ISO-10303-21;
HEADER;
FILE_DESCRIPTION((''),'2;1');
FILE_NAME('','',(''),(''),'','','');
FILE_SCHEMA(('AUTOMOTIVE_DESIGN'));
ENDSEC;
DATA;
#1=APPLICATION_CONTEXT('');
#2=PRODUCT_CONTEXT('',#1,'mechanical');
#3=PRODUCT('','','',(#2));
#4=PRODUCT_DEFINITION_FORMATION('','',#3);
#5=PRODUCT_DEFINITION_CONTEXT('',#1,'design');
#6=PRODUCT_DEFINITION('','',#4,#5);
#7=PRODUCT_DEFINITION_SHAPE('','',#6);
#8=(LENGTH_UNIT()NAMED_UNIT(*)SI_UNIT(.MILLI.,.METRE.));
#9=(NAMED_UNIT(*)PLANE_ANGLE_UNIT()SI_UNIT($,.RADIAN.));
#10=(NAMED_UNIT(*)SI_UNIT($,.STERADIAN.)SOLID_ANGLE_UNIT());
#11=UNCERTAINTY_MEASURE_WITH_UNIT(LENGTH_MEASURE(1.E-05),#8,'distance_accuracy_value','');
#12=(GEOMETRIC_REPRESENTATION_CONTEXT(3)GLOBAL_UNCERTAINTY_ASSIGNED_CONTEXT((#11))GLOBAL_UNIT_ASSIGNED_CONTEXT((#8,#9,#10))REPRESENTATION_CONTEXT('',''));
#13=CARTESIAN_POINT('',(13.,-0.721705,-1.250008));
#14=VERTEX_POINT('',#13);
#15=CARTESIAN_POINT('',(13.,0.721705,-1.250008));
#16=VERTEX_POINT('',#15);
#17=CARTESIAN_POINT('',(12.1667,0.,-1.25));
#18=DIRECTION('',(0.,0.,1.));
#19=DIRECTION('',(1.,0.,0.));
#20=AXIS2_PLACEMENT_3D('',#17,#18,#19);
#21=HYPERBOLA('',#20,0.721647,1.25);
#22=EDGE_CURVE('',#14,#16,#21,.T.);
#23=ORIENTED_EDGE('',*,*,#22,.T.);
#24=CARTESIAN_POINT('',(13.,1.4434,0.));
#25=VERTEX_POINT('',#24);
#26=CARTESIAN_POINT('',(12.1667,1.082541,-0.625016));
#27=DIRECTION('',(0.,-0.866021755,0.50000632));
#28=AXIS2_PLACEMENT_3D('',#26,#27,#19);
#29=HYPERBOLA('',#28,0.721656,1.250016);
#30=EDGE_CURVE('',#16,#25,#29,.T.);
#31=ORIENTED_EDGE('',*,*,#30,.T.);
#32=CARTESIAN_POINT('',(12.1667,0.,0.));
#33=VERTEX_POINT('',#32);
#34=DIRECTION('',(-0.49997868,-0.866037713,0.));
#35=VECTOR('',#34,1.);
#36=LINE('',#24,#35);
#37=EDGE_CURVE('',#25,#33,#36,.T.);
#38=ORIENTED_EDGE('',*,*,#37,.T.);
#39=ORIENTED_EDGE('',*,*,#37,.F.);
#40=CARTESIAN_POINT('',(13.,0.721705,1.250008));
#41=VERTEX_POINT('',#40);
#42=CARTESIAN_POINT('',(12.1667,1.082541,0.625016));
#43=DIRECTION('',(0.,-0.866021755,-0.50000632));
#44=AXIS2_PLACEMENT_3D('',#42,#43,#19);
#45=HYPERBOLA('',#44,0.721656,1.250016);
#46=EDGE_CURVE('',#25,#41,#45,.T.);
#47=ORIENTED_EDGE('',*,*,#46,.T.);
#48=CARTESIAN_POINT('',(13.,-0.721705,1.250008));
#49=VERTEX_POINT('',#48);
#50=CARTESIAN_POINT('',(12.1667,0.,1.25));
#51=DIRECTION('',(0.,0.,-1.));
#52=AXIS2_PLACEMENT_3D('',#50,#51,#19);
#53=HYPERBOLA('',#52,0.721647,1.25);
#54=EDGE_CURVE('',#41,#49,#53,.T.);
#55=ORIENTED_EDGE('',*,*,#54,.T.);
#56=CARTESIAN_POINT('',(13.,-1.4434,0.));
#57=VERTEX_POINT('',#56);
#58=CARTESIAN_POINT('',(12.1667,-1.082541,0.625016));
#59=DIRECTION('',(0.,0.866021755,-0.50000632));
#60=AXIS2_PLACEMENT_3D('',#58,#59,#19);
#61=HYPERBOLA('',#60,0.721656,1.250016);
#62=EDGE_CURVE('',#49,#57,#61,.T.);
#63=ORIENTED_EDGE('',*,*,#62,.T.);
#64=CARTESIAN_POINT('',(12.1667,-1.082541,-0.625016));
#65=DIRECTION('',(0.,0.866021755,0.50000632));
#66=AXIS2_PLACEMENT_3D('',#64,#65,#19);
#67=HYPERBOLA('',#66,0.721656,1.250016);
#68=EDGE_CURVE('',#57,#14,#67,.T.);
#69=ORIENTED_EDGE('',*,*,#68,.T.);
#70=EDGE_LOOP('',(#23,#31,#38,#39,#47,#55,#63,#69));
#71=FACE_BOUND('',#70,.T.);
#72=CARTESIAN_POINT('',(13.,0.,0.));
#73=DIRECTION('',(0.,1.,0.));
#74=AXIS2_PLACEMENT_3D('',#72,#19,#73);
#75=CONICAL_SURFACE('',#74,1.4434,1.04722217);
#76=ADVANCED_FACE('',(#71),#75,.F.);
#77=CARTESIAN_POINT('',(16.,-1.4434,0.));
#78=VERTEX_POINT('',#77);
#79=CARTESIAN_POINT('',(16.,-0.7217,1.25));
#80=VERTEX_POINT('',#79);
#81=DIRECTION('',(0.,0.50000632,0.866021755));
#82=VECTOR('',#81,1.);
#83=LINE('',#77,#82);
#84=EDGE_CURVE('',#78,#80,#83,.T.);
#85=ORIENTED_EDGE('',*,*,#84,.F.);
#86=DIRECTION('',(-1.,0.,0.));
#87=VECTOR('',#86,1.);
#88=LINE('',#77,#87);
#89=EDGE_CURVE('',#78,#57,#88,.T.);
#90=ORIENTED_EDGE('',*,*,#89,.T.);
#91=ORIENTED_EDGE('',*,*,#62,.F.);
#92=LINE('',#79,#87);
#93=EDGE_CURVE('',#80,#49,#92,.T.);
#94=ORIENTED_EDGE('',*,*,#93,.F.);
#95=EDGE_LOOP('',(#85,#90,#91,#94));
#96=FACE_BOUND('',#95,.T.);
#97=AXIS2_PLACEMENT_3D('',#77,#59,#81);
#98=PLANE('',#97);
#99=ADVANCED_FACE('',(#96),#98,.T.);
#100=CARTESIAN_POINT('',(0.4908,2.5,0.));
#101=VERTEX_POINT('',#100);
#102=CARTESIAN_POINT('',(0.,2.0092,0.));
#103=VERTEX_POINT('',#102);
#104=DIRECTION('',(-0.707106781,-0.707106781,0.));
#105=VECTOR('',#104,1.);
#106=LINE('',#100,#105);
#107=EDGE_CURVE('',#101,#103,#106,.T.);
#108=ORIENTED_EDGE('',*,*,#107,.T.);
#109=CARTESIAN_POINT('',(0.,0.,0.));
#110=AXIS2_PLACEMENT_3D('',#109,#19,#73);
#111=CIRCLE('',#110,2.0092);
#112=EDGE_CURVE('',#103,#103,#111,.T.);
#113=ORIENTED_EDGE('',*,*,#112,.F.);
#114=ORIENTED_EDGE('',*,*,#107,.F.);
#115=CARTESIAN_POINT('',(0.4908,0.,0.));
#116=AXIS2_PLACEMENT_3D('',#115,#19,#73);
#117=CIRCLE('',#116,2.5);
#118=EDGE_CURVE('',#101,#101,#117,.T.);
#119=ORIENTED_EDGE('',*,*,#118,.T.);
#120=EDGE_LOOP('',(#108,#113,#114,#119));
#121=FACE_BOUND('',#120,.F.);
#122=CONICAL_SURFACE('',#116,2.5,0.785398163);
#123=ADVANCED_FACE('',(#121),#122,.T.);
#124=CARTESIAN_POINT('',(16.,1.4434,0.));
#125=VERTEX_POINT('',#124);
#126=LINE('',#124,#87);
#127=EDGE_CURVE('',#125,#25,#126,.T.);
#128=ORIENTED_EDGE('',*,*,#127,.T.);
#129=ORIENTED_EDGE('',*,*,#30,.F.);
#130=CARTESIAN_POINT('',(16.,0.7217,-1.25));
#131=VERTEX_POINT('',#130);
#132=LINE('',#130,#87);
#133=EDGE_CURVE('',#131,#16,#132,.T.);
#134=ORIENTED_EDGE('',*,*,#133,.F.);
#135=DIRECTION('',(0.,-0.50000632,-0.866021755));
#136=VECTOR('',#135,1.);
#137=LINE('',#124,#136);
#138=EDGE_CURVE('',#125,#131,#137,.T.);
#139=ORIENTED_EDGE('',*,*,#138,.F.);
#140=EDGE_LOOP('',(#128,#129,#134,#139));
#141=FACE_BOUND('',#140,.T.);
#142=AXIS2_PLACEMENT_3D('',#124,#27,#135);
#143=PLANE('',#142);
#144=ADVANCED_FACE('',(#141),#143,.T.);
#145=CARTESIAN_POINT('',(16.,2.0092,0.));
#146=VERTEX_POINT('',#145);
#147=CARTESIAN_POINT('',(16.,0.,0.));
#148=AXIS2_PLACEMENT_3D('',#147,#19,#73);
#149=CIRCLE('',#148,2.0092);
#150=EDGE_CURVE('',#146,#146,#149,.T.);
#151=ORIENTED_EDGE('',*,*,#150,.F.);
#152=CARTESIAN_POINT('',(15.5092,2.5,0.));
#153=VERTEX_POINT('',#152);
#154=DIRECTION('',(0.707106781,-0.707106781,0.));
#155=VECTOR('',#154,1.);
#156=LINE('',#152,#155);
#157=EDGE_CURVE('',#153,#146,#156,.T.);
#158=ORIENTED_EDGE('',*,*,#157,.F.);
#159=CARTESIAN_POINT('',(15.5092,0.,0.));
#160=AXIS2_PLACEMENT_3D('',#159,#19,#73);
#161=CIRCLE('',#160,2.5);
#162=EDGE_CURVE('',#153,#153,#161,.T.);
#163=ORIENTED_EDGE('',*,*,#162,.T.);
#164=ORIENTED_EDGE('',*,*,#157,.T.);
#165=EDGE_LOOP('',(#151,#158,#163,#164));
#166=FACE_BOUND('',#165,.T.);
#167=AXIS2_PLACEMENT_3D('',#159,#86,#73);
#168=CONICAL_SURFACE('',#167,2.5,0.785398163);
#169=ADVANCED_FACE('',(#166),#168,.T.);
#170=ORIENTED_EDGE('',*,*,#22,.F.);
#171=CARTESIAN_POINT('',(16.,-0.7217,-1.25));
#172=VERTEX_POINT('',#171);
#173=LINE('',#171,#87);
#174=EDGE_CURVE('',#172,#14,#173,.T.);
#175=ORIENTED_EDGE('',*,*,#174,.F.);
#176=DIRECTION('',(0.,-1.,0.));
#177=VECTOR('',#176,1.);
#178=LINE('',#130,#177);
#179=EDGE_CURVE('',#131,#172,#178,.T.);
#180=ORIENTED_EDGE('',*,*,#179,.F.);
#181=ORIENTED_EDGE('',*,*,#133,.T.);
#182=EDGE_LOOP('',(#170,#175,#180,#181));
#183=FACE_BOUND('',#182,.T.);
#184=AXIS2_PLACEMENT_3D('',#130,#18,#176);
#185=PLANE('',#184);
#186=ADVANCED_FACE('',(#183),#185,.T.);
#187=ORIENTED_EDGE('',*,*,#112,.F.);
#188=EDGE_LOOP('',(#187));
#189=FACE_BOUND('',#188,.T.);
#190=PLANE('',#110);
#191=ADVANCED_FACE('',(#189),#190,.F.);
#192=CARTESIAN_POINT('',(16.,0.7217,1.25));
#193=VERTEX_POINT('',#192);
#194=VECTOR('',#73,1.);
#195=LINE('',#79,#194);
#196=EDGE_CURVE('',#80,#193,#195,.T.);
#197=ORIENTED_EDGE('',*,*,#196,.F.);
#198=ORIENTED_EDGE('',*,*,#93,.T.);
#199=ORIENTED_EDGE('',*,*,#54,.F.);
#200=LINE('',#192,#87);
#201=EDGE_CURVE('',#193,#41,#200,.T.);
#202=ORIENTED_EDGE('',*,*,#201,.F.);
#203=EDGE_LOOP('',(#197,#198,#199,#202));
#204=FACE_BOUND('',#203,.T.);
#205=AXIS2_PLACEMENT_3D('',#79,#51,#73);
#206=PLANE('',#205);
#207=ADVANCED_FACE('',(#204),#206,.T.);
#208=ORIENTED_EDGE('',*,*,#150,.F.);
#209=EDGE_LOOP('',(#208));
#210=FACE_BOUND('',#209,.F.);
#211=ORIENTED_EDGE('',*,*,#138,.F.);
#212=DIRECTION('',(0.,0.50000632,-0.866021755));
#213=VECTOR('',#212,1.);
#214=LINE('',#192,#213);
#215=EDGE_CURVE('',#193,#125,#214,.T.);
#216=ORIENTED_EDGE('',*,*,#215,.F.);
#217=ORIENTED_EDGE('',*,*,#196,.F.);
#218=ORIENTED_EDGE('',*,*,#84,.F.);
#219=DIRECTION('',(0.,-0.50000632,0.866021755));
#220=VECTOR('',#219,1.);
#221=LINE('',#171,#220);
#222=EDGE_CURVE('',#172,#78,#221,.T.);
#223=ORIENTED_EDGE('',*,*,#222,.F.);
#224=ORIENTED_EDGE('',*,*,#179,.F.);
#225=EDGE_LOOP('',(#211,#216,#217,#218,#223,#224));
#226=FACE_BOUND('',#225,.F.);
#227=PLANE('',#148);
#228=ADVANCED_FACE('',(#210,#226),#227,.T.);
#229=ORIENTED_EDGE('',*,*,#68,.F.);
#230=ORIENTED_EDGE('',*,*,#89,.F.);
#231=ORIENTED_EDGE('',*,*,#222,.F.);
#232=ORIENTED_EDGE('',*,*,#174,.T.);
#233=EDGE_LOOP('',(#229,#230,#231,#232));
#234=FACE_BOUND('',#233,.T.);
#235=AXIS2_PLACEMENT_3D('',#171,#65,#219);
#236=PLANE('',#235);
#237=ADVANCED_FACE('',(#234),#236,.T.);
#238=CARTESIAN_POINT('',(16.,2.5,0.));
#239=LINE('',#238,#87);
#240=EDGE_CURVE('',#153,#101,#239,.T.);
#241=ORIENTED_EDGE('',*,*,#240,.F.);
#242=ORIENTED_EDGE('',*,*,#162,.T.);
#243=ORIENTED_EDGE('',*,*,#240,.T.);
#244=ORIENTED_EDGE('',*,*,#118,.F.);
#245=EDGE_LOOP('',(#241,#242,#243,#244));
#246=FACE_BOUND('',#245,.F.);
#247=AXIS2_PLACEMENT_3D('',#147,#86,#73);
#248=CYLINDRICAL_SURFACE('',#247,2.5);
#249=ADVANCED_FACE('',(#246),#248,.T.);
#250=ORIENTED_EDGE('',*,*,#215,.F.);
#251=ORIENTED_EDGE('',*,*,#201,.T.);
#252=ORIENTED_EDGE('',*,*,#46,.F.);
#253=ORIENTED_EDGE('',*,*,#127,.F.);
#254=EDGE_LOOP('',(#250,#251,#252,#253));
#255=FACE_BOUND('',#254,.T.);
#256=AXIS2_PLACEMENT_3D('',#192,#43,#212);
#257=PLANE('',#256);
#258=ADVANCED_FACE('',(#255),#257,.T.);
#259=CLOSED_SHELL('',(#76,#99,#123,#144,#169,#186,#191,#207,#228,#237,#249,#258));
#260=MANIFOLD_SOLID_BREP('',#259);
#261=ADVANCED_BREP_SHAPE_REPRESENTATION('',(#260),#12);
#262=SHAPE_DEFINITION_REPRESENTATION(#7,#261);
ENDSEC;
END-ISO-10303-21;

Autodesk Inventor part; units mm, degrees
ref_plane "YZ Plane" through (0, 0, 0) normal (1, 0, 0) x (0, 1, 0)
ref_plane "XZ Plane" through (0, 0, 0) normal (0, 1, 0) x (-1, 0, 0)
sketch "Sketch1" plane through (0, 0, 0) normal (0, 0, 1) x (1, 0, 0)
  line L0 (0, 0) -> (12.1667, 0)
  line L1 (16, 1.4434) -> (16, 2.5)
  line L2 (16, 2.5) -> (0, 2.5)
  line L3 (16, 1.4434) -> (13, 1.4434)
  line L4 (13, 1.4434) -> (12.1667, 0)
  line L5 (0, -0.5) -> (0, 3) projected
  line L6 (0, 2.5) -> (0, 0)
  dimension "d0" = 3
  dimension "d1" = 60
  dimension "d2" = 5
  dimension "d3" = 2.8868
  dimension "d5" = 16
revolve "Body" add sketch "Sketch1" angle 360 about axis through (0, 0, 0) along (1, 0, 0)
sketch "Sketch2" plane through (16, 0, 0) normal (1, 0, 0) x (0, 1, 0)
  circle A0 centre (0, 0) radius 1.4434 projected
  line L0 (-0.7217, 1.25) -> (0.7217, 1.25)
  line L1 (0.7217, 1.25) -> (1.4434, 0)
  line L2 (1.4434, 0) -> (0.7217, -1.25)
  line L3 (0.7217, -1.25) -> (-0.7217, -1.25)
  line L4 (-0.7217, -1.25) -> (-1.4434, 0)
  line L5 (-1.4434, 0) -> (-0.7217, 1.25)
  point P0 (0, 0)
  point P1 (0, 0)
extrude "Slot" add sketch "Sketch2" against normal up to next contours L1 A0 | A0 L2 | L0 A0 | A0 L3 | L5 A0 | A0 L4
thread "Thread" size "M5x0.8" class "6g" standard "ISO Metric profile" length 16
chamfer "Chamfer1" distance 0.4908 angle 45 1 edges at (16, -2.5, 0) measured on face at (10.6667, 2.4676, -0.401)
chamfer "Chamfer2" distance 0.4908 angle 45 1 edges at (0, -2.5, 0) measured on face at (5.1697, 2.4919, -0.2012)
ref_plane "Work Plane1" through (8, 0, 0) normal (0, 0, 1) x (1, 0, 0)
equation "\"d8\" = NLG"
equation "\"d10\" = -0.5 * GD1 + 0.5 * NND"
equation "\"d11\" = FAWI"
equation "\"d34\" = -0.5 * GD1 + 0.5 * NND"
equation "\"d12\" = -0.5 * GD1 + 0.5 * NND"
equation "\"d13\" = FAWI"
equation "\"d35\" = -0.5 * GD1 + 0.5 * NND"
equation "\"d0\" = INTI"
equation "\"d2\" = NND"
equation "\"d3\" = 1.1547 * SW"
equation "\"d5\" = NLG"
equation "\"NND\" = 5"
equation "\"NLG\" = 16"
equation "\"INTI\" = 3"
equation "\"FAWI\" = 45deg"
equation "\"SW\" = 2.5"
equation "\"GD1\" = THREADDIA - 1.2269 * PTC"
equation "\"SPD\" = 3.5"
equation "\"GUL\" = 0.61345 * PTC"
equation "\"TOA\" = 30deg"
equation "\"THREADDIA\" = 5"
equation "\"PTC\" = 0.8"
equation "\"FAWI1\" = 45deg"
equation "\"GAL\" = 0.61345 * PTC"
equation "\"E0\" = 1.155 * SW"
properties part number "DIN 913 - M5 x 16" material "Steel, Mild"
